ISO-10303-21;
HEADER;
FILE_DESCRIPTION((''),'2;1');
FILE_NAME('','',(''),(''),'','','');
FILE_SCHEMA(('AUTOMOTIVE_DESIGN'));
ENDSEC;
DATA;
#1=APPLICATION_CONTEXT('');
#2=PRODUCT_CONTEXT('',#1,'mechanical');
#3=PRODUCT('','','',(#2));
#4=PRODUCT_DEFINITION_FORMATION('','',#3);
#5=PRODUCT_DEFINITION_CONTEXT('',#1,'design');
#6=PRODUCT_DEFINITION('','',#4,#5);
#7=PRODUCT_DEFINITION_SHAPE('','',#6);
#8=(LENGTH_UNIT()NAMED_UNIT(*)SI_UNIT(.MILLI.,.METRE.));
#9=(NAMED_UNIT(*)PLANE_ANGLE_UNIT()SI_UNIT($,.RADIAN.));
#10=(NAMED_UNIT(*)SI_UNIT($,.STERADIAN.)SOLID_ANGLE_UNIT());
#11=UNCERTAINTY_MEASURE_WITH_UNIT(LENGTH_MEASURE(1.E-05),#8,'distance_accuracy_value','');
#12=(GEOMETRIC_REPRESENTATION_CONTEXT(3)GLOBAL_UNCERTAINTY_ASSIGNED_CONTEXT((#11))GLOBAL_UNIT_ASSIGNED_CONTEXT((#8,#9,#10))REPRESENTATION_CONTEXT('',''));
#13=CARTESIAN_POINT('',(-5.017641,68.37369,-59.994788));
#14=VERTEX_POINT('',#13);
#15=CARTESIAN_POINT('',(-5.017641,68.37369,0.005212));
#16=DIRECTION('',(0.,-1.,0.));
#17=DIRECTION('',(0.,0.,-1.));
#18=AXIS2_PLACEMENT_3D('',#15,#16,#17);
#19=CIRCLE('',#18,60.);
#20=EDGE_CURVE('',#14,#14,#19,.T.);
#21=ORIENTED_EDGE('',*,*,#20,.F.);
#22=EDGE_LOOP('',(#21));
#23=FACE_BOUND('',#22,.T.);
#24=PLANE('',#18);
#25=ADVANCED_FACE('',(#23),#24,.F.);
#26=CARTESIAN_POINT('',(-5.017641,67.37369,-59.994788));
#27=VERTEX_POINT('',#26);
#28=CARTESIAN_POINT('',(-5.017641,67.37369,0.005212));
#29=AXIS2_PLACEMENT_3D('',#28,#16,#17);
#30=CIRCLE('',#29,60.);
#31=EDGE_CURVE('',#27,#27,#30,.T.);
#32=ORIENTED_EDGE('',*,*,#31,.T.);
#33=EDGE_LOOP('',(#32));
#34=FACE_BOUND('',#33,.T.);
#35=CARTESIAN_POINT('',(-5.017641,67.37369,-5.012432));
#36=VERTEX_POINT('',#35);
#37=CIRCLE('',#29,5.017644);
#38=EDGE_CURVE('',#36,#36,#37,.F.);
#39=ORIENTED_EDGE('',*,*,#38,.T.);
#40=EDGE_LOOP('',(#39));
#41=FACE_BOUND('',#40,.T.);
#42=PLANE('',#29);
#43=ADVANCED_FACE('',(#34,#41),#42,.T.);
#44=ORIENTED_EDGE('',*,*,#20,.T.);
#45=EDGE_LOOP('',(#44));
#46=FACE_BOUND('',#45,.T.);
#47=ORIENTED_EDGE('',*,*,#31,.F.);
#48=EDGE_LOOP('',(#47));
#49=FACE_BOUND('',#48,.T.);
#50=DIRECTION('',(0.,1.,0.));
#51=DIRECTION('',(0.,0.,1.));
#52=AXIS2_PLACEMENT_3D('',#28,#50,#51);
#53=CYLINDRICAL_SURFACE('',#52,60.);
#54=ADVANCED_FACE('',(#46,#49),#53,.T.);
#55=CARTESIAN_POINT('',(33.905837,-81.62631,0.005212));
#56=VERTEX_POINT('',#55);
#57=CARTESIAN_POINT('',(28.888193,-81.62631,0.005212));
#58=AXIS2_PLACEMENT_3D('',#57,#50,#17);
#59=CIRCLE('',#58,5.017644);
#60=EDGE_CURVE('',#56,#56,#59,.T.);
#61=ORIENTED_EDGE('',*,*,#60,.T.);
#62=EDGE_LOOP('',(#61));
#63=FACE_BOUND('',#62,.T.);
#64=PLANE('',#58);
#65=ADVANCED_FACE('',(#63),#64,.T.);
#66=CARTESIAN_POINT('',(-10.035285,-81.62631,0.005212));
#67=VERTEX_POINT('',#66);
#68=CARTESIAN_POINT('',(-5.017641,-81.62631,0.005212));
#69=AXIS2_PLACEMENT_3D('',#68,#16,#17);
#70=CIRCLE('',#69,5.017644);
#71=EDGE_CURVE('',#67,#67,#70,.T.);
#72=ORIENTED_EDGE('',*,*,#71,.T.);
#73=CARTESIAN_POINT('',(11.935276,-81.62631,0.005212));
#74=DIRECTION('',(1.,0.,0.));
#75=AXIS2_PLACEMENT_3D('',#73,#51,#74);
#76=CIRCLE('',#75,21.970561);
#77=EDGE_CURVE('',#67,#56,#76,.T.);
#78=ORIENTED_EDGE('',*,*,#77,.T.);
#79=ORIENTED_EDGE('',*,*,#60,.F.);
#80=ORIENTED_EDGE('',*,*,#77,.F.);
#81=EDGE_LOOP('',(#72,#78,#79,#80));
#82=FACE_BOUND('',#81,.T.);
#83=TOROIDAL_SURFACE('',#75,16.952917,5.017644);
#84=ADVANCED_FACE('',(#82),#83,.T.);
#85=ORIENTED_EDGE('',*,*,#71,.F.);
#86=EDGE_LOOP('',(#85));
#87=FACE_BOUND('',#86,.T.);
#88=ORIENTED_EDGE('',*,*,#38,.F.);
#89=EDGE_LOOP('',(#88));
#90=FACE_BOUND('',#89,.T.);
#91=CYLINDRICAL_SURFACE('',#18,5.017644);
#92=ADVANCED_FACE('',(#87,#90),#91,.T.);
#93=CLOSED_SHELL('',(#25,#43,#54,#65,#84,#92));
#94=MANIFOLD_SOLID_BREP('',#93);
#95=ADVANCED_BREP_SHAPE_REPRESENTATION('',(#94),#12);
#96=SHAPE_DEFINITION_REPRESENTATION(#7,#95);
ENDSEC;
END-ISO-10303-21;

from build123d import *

# Parameters (mm, degrees)
SKETCH5_R           = 5.017644021
SKETCH8_R           = 60
BOSS_EXTRUDE3_DEPTH = 1


with BuildPart() as part:
    # Sweep2: sweep along a path in Sketch1
    with BuildLine(Plane.XY) as sweep2_path:
        Line((0, 68.373689823), (0, -81.626310177))
        ThreePointArc((0, -81.626310177), (11.935275606, -93.561585783), (23.870551211, -81.626310177))
    # Sketch5 → Sweep2 (sweep)
    with BuildSketch(Plane(origin=(0, 68.373689823, 0), x_dir=(-1, 0, 0), z_dir=(0, -1, 0))):
        with Locations((5.017641314, -0.00521205)):
            Circle(SKETCH5_R)
    sweep(path=sweep2_path.line)

    # Sketch8 → Boss-Extrude3 (add)
    with BuildSketch(Plane(origin=(0, 68.373689823, 0), x_dir=(-1, 0, 0), z_dir=(0, -1, 0))):
        with Locations((5.017641314, -0.00521205)):
            Circle(SKETCH8_R)
    extrude(amount=BOSS_EXTRUDE3_DEPTH)


solid = part.part
